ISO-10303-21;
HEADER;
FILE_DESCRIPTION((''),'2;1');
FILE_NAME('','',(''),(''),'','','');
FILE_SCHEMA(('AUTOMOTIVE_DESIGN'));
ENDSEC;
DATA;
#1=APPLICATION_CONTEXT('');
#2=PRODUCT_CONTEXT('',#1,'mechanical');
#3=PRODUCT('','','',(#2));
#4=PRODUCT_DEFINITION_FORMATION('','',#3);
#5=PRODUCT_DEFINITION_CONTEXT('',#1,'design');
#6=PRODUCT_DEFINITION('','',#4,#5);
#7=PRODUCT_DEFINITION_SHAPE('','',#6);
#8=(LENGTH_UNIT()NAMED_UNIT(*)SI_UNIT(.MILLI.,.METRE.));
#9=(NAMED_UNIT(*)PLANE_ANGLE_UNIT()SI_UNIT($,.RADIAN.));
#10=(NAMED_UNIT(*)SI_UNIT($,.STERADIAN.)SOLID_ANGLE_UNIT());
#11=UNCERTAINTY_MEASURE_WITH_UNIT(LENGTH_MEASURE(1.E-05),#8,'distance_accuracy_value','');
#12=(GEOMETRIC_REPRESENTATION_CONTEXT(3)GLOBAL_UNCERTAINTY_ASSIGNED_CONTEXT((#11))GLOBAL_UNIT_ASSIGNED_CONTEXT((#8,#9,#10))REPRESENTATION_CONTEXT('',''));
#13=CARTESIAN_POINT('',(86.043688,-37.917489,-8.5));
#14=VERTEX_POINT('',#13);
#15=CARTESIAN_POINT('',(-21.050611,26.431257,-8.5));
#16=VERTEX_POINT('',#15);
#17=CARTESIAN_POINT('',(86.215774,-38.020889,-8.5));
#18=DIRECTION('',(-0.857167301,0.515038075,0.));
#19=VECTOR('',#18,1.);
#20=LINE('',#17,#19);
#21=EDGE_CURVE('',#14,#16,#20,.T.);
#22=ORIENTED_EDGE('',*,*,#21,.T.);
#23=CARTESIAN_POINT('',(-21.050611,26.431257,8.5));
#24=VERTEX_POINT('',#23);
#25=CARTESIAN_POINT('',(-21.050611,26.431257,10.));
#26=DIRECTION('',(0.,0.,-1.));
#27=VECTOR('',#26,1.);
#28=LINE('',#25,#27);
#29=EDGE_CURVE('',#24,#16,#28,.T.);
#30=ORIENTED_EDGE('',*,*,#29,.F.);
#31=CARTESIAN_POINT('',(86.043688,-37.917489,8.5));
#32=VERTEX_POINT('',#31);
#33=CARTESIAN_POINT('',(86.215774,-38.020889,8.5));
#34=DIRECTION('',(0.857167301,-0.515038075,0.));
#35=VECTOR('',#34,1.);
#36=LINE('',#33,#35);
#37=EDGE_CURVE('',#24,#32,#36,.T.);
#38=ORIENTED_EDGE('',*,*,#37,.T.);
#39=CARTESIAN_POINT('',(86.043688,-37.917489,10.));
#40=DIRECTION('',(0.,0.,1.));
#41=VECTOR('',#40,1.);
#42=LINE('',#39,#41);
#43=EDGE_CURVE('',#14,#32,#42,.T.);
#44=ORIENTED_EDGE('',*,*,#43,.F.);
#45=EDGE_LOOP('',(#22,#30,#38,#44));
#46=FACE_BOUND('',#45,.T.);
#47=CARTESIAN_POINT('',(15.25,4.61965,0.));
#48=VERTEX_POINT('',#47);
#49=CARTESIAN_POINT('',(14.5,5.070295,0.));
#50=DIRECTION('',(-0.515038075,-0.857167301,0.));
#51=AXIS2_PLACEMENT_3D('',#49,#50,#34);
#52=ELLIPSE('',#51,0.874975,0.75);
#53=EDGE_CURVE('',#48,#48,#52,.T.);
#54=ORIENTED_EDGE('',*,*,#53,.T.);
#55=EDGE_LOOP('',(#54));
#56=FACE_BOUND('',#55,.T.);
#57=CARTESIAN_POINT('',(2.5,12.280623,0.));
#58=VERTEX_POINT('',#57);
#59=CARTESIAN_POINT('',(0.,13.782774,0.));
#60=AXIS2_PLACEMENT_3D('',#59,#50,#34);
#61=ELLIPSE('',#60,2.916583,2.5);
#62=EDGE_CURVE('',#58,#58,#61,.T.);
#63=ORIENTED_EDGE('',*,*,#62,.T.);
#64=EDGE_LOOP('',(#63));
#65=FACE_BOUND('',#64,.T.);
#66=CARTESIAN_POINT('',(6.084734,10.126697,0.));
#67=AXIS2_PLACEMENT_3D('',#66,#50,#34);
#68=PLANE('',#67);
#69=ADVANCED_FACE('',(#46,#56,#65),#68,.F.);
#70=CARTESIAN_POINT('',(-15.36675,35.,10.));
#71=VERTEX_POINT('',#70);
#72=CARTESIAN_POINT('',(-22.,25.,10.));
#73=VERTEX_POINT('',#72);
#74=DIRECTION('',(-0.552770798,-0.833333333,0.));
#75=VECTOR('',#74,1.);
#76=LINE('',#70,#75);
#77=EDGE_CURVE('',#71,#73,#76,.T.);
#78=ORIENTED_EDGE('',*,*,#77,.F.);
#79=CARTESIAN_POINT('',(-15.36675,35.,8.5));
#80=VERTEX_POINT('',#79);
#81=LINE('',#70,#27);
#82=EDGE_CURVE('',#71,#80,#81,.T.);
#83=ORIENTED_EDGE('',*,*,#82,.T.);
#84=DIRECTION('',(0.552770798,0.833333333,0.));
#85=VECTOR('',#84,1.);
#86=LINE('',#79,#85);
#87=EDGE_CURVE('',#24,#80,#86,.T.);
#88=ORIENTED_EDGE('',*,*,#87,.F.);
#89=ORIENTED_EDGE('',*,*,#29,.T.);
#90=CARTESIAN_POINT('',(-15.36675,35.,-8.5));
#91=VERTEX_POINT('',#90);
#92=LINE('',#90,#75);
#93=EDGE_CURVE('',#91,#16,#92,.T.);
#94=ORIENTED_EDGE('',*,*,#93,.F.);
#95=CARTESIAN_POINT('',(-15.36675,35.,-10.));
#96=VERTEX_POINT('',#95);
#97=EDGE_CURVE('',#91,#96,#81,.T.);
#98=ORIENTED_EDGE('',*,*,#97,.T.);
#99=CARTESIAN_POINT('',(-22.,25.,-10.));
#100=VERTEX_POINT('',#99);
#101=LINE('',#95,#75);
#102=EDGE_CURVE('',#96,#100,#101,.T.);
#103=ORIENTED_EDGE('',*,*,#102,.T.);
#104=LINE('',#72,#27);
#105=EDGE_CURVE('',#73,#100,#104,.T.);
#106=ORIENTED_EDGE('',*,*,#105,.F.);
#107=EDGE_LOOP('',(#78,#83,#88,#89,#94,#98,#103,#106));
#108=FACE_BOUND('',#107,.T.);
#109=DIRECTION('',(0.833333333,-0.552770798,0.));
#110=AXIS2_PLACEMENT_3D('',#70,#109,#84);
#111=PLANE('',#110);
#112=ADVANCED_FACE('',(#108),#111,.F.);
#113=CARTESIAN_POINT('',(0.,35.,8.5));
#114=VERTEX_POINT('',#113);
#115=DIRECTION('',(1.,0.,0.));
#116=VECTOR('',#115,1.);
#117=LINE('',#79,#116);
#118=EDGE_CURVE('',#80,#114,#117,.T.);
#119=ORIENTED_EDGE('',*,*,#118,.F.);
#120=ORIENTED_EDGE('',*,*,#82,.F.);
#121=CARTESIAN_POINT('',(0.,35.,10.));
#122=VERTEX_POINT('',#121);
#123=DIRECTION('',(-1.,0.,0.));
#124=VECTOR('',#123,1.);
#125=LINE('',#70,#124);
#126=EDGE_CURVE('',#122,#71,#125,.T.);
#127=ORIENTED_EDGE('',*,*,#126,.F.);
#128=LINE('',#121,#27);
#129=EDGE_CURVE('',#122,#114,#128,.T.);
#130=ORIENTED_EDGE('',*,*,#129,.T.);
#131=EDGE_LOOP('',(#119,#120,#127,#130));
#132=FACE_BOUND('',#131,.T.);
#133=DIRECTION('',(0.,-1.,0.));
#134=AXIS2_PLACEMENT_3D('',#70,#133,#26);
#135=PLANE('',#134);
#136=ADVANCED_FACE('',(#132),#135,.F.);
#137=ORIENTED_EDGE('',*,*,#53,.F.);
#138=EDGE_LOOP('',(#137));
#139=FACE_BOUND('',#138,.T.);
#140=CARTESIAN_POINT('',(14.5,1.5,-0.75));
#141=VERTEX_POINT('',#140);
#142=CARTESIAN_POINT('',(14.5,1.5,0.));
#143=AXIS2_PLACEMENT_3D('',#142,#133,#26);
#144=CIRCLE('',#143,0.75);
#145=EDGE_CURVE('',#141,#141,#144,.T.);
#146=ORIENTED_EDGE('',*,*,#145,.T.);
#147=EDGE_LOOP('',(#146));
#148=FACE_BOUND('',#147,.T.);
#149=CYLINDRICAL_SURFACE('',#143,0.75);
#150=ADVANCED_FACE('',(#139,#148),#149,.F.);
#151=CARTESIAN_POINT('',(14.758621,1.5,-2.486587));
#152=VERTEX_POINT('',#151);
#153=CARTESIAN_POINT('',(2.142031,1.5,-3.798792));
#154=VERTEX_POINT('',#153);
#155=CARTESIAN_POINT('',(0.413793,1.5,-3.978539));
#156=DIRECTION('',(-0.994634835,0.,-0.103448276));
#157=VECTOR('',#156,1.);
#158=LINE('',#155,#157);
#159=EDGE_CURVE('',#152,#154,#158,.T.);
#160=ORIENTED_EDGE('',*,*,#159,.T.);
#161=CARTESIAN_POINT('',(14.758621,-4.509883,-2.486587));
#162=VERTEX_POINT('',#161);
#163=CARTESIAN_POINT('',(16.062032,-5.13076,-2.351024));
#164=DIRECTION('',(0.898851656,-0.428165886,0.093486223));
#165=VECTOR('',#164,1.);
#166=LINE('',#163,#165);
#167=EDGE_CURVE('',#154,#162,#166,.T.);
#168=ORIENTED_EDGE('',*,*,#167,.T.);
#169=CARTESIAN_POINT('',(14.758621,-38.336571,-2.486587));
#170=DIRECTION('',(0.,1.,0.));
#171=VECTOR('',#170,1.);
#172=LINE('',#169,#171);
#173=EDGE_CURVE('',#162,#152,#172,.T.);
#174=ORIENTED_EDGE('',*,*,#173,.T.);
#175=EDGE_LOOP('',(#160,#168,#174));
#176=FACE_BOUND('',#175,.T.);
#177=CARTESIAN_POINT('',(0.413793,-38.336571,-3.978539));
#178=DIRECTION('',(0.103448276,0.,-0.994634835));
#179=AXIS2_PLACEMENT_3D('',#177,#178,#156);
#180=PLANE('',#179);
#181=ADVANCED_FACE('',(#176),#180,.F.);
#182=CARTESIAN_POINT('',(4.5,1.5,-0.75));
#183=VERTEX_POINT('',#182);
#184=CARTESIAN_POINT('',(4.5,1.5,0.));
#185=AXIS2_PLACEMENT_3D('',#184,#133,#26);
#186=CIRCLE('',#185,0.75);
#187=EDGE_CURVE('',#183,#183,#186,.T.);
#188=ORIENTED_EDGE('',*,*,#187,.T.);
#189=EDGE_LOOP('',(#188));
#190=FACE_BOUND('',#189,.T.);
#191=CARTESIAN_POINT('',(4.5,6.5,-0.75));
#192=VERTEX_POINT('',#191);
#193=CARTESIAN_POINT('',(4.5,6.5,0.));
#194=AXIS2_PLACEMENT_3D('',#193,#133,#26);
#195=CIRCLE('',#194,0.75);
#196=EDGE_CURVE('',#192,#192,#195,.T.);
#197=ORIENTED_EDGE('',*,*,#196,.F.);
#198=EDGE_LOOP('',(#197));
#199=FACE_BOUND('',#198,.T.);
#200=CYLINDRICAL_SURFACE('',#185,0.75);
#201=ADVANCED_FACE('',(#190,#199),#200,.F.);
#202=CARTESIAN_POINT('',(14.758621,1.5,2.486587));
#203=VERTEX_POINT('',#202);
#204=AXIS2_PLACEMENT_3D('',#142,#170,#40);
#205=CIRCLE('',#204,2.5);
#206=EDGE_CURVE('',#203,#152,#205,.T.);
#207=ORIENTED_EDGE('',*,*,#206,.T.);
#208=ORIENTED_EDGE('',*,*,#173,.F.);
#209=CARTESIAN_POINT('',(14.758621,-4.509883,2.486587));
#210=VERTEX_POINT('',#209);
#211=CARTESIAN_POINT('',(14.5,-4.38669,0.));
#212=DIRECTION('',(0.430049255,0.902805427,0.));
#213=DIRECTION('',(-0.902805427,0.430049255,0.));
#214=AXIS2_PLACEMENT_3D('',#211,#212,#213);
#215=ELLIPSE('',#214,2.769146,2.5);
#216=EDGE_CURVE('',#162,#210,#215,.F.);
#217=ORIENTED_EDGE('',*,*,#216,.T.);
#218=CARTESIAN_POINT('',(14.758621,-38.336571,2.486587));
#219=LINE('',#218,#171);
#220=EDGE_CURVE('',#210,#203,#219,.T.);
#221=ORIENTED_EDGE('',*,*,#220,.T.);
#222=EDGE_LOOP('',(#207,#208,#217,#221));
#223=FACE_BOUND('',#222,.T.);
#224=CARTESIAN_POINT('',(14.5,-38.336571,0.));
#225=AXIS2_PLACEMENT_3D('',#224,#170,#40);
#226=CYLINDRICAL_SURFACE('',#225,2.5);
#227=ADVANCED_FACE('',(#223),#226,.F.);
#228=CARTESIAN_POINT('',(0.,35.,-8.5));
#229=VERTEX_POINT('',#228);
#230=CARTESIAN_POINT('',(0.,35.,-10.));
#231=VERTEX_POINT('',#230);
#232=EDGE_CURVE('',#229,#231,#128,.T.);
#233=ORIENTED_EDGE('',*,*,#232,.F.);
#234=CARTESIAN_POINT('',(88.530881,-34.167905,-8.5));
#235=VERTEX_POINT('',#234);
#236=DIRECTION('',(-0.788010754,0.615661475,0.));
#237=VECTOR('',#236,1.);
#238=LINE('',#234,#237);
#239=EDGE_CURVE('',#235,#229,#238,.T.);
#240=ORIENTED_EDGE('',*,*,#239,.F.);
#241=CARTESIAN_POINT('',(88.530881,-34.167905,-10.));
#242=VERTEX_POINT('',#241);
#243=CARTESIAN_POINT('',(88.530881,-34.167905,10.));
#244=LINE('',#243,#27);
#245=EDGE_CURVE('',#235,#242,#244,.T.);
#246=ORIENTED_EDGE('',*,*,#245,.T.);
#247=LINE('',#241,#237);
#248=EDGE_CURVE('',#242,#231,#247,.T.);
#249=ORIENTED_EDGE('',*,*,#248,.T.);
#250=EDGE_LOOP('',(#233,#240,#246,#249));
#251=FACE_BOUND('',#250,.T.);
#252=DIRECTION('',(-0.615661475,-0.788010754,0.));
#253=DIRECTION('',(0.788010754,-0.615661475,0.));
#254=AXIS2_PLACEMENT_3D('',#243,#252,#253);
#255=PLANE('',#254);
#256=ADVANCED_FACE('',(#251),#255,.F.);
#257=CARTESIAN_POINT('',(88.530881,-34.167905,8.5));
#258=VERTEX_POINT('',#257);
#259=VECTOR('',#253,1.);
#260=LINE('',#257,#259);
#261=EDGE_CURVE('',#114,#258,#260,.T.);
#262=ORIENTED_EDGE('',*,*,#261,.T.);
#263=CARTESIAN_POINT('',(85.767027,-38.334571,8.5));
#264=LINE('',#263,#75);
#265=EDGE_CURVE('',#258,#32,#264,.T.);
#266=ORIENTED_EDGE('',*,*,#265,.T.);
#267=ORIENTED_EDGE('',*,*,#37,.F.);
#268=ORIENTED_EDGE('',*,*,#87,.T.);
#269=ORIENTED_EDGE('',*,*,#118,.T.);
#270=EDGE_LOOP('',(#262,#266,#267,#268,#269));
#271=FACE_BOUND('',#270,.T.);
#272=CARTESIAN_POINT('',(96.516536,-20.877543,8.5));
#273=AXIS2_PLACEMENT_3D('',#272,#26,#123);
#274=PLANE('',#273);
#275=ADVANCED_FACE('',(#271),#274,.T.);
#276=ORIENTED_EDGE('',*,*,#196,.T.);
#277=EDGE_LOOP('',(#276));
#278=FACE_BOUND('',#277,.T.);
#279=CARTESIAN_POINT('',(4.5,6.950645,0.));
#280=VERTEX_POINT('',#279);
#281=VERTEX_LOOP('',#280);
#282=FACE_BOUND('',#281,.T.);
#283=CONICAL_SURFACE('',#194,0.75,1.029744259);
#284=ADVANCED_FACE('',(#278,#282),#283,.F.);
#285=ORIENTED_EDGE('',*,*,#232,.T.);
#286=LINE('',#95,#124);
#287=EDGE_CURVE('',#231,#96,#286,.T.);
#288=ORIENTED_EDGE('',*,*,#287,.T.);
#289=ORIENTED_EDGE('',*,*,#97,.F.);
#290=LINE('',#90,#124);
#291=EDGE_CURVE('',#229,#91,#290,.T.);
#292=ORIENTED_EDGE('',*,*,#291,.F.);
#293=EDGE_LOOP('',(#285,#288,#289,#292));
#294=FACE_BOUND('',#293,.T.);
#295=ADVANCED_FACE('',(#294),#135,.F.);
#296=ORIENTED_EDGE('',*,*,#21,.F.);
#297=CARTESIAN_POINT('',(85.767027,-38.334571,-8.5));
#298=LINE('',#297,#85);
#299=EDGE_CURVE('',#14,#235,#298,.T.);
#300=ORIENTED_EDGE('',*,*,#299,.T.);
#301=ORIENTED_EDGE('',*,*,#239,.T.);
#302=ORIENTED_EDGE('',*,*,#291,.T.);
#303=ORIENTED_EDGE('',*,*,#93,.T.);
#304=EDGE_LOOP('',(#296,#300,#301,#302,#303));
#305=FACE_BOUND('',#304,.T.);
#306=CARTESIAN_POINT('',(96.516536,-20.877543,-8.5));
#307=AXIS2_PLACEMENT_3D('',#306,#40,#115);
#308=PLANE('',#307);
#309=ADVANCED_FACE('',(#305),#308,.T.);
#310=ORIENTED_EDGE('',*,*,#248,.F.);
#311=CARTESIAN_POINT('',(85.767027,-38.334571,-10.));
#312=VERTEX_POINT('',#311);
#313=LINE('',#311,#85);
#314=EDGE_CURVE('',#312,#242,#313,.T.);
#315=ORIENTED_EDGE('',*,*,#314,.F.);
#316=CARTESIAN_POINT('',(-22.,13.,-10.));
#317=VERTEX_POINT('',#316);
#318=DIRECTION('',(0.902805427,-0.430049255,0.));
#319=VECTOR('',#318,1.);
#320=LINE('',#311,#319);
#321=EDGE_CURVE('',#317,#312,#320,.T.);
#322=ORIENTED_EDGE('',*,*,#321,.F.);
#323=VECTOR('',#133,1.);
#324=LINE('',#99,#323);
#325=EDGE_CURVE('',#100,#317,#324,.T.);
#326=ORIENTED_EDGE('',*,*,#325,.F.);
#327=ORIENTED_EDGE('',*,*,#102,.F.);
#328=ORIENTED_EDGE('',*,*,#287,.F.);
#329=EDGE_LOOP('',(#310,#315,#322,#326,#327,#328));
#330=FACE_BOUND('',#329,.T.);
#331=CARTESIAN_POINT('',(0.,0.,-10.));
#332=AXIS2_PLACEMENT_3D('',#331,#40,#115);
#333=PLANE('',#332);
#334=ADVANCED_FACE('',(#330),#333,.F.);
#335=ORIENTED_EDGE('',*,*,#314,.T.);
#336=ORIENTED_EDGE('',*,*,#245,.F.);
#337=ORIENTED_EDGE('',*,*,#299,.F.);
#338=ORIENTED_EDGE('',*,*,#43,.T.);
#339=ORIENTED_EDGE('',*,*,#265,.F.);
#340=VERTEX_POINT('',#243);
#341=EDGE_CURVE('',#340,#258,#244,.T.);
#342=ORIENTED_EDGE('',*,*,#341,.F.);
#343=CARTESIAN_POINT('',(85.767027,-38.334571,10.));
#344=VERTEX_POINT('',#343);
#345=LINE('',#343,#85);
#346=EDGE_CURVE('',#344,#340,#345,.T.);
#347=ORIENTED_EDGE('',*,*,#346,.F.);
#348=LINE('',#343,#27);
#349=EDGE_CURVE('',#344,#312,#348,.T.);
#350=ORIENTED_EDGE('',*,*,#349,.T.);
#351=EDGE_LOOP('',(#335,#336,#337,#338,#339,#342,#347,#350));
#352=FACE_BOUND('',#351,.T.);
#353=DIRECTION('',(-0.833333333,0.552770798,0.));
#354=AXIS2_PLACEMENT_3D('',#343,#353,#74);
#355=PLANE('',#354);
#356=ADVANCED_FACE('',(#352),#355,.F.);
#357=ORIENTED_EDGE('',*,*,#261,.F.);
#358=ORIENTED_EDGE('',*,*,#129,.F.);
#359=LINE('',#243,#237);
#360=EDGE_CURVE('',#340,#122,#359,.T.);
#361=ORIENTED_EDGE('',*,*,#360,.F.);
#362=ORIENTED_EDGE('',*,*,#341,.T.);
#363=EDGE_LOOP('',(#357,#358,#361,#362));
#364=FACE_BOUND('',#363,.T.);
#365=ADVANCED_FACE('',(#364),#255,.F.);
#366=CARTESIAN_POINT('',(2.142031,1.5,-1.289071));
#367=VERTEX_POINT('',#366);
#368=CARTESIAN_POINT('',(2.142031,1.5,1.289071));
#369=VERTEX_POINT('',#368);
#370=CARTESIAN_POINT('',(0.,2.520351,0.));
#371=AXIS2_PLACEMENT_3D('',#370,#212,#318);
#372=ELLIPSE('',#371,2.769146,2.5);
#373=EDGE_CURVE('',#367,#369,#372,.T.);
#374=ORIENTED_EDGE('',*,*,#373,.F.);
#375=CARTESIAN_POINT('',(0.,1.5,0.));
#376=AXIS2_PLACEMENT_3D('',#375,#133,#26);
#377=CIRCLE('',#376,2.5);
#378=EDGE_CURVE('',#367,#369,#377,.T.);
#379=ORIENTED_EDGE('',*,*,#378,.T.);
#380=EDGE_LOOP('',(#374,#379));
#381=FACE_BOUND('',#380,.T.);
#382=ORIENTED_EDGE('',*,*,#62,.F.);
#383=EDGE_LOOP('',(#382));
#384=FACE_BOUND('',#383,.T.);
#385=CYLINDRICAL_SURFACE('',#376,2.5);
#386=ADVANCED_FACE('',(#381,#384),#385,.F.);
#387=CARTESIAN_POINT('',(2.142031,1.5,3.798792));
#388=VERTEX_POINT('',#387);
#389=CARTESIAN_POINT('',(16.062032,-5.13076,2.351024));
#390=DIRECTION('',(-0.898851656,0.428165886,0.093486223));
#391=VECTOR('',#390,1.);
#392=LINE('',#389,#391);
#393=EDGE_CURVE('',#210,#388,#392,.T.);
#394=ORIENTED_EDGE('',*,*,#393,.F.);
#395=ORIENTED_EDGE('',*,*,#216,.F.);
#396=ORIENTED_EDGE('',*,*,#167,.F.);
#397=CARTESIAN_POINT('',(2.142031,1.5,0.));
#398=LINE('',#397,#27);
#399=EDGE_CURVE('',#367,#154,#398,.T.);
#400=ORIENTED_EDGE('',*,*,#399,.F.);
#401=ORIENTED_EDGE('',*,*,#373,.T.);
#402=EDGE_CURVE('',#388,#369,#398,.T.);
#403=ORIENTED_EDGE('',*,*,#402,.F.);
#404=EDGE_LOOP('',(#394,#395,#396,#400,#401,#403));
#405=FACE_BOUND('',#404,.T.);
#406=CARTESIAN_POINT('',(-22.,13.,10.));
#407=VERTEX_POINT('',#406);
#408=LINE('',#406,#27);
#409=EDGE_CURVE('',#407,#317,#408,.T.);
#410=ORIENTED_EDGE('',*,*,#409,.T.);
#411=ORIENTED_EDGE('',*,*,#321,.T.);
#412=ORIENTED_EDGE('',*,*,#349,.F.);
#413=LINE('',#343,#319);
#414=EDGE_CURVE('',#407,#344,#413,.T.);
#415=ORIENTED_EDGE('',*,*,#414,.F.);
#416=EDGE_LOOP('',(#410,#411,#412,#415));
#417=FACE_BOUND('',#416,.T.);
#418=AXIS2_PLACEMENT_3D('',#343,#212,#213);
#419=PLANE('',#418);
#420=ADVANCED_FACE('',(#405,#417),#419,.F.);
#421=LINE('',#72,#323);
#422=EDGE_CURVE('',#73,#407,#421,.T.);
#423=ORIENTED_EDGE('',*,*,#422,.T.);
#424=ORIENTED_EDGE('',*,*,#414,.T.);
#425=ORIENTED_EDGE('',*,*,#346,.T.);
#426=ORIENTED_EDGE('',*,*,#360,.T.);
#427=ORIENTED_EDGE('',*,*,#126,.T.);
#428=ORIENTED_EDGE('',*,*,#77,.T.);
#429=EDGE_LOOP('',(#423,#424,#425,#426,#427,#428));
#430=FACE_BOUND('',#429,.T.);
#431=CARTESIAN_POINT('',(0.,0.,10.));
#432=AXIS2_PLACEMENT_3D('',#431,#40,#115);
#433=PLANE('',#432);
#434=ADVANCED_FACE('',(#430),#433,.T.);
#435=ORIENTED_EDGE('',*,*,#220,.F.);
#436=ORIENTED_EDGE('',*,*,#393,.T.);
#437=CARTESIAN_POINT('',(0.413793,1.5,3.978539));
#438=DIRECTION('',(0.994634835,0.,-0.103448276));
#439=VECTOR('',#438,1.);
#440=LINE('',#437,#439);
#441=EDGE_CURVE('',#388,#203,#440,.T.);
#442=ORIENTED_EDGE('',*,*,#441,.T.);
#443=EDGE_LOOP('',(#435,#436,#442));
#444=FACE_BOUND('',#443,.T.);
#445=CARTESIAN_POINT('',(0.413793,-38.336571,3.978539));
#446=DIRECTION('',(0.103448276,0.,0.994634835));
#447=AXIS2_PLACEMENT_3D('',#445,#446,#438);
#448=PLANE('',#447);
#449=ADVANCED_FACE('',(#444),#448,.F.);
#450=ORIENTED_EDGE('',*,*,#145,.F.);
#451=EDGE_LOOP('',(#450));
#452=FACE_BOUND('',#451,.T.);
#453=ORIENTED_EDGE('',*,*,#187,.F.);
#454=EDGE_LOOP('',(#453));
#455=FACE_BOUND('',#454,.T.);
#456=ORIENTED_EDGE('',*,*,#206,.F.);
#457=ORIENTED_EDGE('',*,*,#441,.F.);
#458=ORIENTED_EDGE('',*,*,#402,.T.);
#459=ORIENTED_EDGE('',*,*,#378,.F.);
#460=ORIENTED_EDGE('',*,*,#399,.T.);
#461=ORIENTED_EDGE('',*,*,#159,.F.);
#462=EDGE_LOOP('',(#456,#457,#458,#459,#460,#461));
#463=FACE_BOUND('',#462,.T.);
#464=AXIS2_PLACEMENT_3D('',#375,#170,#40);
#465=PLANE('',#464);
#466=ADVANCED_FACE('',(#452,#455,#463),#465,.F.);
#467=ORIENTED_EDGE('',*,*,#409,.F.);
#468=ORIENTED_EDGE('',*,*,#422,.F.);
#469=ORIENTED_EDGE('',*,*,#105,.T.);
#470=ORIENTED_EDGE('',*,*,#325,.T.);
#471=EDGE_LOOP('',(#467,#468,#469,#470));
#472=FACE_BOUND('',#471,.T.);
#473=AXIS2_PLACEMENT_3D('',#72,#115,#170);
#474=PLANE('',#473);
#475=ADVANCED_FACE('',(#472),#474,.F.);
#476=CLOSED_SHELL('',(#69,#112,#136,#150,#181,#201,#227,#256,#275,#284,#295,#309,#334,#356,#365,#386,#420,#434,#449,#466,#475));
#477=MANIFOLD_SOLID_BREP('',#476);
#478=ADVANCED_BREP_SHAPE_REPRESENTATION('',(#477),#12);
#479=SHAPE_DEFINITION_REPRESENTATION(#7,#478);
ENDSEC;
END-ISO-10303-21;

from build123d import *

# Parameters (mm, degrees)
BOSS_EXTRU_1_DEPTH                  = 10
ENL_V_START                         = 0.5
ESQUISSE3_W                         = 17
ESQUISSE3_H                         = 125.217180483
ENL_V_MAT_EXTRU_2_DEPTH             = 20
ENL_V_MAT_EXTRU_3_REACH             = 41.835
DIAM_TRE_DU_PER_AGE_5_0_5_2_D       = 5
DIAM_TRE_DU_PER_AGE_1_5_1_5_1_D     = 1.5
DIAM_TRE_DU_PER_AGE_1_5_1_5_1_DEPTH = 5
DIAM_TRE_DU_PER_AGE_1_5_1_5_1_TIP   = 0.450645464


with BuildPart() as part:
    # Esquisse1 → Boss.-Extru.1 (new body, symmetric)
    with BuildSketch(Plane.XY):
        Polygon((85.767026828, -38.334571354), (88.53088082, -34.167904687), (0, 35), (-15.366750419, 35), (-22, 25), (-22, 13), align=None)
    extrude(amount=BOSS_EXTRU_1_DEPTH, both=True)

    # Esquisse3 → Enlèv. mat.-Extru.2 (cut)
    with BuildSketch(Plane(origin=(5.827214604, 9.698113705, 0), x_dir=(0, 0, -1), z_dir=(0.515038075, 0.857167301, 0)).offset(ENL_V_START)):
        with Locations((0, -30.874957754)):
            Rectangle(ESQUISSE3_W, ESQUISSE3_H)
    extrude(amount=ENL_V_MAT_EXTRU_2_DEPTH, mode=Mode.SUBTRACT)

    # Esquisse4 → Enlèv. mat.-Extru.3 (cut, up to next)
    with BuildSketch(Plane(origin=(0, 1.5, 0), x_dir=(1, 0, 0), z_dir=(0, 1, 0)), mode=Mode.PRIVATE) as enl_v_mat_extru_3_sk1:
        with BuildLine():
            Line((0.413793103, 3.978539338), (14.75862069, 2.486587087))
            ThreePointArc((14.75862069, 2.486587087), (17, 0), (14.75862069, -2.486587087))
            Line((14.75862069, -2.486587087), (0.413793103, -3.978539338))
            ThreePointArc((0.413793103, -3.978539338), (-4, 0), (0.413793103, 3.978539338))
        make_face()
    enl_v_mat_extru_3_tool1 = extrude(enl_v_mat_extru_3_sk1.sketch, amount=-ENL_V_MAT_EXTRU_3_REACH, mode=Mode.PRIVATE) & part.part
    add(enl_v_mat_extru_3_tool1.solids().sort_by_distance((5.738323, 1.5, 0))[0], mode=Mode.SUBTRACT)

    # Diamètre du perçage Ø5.0 (5)2 (through all)
    with Locations(Plane(origin=(0, 1.5, 0), x_dir=(-1, 0, 0), z_dir=(0, -1, 0))):
        with Locations((0, 0)):
            Hole(DIAM_TRE_DU_PER_AGE_5_0_5_2_D / 2)

    # Diamètre du perçage Ø1.5 (1.5)1
    with Locations(Plane(origin=(0, 1.5, 0), x_dir=(-1, 0, 0), z_dir=(0, -1, 0))):
        with Locations((-14.5, 0), (-4.5, 0)):
            Hole(DIAM_TRE_DU_PER_AGE_1_5_1_5_1_D / 2, depth=DIAM_TRE_DU_PER_AGE_1_5_1_5_1_DEPTH)
            with Locations((0, 0, -(DIAM_TRE_DU_PER_AGE_1_5_1_5_1_DEPTH + DIAM_TRE_DU_PER_AGE_1_5_1_5_1_TIP / 2))):  # 118° drill point
                Cone(0, DIAM_TRE_DU_PER_AGE_1_5_1_5_1_D / 2, DIAM_TRE_DU_PER_AGE_1_5_1_5_1_TIP, mode=Mode.SUBTRACT)


solid = part.part
